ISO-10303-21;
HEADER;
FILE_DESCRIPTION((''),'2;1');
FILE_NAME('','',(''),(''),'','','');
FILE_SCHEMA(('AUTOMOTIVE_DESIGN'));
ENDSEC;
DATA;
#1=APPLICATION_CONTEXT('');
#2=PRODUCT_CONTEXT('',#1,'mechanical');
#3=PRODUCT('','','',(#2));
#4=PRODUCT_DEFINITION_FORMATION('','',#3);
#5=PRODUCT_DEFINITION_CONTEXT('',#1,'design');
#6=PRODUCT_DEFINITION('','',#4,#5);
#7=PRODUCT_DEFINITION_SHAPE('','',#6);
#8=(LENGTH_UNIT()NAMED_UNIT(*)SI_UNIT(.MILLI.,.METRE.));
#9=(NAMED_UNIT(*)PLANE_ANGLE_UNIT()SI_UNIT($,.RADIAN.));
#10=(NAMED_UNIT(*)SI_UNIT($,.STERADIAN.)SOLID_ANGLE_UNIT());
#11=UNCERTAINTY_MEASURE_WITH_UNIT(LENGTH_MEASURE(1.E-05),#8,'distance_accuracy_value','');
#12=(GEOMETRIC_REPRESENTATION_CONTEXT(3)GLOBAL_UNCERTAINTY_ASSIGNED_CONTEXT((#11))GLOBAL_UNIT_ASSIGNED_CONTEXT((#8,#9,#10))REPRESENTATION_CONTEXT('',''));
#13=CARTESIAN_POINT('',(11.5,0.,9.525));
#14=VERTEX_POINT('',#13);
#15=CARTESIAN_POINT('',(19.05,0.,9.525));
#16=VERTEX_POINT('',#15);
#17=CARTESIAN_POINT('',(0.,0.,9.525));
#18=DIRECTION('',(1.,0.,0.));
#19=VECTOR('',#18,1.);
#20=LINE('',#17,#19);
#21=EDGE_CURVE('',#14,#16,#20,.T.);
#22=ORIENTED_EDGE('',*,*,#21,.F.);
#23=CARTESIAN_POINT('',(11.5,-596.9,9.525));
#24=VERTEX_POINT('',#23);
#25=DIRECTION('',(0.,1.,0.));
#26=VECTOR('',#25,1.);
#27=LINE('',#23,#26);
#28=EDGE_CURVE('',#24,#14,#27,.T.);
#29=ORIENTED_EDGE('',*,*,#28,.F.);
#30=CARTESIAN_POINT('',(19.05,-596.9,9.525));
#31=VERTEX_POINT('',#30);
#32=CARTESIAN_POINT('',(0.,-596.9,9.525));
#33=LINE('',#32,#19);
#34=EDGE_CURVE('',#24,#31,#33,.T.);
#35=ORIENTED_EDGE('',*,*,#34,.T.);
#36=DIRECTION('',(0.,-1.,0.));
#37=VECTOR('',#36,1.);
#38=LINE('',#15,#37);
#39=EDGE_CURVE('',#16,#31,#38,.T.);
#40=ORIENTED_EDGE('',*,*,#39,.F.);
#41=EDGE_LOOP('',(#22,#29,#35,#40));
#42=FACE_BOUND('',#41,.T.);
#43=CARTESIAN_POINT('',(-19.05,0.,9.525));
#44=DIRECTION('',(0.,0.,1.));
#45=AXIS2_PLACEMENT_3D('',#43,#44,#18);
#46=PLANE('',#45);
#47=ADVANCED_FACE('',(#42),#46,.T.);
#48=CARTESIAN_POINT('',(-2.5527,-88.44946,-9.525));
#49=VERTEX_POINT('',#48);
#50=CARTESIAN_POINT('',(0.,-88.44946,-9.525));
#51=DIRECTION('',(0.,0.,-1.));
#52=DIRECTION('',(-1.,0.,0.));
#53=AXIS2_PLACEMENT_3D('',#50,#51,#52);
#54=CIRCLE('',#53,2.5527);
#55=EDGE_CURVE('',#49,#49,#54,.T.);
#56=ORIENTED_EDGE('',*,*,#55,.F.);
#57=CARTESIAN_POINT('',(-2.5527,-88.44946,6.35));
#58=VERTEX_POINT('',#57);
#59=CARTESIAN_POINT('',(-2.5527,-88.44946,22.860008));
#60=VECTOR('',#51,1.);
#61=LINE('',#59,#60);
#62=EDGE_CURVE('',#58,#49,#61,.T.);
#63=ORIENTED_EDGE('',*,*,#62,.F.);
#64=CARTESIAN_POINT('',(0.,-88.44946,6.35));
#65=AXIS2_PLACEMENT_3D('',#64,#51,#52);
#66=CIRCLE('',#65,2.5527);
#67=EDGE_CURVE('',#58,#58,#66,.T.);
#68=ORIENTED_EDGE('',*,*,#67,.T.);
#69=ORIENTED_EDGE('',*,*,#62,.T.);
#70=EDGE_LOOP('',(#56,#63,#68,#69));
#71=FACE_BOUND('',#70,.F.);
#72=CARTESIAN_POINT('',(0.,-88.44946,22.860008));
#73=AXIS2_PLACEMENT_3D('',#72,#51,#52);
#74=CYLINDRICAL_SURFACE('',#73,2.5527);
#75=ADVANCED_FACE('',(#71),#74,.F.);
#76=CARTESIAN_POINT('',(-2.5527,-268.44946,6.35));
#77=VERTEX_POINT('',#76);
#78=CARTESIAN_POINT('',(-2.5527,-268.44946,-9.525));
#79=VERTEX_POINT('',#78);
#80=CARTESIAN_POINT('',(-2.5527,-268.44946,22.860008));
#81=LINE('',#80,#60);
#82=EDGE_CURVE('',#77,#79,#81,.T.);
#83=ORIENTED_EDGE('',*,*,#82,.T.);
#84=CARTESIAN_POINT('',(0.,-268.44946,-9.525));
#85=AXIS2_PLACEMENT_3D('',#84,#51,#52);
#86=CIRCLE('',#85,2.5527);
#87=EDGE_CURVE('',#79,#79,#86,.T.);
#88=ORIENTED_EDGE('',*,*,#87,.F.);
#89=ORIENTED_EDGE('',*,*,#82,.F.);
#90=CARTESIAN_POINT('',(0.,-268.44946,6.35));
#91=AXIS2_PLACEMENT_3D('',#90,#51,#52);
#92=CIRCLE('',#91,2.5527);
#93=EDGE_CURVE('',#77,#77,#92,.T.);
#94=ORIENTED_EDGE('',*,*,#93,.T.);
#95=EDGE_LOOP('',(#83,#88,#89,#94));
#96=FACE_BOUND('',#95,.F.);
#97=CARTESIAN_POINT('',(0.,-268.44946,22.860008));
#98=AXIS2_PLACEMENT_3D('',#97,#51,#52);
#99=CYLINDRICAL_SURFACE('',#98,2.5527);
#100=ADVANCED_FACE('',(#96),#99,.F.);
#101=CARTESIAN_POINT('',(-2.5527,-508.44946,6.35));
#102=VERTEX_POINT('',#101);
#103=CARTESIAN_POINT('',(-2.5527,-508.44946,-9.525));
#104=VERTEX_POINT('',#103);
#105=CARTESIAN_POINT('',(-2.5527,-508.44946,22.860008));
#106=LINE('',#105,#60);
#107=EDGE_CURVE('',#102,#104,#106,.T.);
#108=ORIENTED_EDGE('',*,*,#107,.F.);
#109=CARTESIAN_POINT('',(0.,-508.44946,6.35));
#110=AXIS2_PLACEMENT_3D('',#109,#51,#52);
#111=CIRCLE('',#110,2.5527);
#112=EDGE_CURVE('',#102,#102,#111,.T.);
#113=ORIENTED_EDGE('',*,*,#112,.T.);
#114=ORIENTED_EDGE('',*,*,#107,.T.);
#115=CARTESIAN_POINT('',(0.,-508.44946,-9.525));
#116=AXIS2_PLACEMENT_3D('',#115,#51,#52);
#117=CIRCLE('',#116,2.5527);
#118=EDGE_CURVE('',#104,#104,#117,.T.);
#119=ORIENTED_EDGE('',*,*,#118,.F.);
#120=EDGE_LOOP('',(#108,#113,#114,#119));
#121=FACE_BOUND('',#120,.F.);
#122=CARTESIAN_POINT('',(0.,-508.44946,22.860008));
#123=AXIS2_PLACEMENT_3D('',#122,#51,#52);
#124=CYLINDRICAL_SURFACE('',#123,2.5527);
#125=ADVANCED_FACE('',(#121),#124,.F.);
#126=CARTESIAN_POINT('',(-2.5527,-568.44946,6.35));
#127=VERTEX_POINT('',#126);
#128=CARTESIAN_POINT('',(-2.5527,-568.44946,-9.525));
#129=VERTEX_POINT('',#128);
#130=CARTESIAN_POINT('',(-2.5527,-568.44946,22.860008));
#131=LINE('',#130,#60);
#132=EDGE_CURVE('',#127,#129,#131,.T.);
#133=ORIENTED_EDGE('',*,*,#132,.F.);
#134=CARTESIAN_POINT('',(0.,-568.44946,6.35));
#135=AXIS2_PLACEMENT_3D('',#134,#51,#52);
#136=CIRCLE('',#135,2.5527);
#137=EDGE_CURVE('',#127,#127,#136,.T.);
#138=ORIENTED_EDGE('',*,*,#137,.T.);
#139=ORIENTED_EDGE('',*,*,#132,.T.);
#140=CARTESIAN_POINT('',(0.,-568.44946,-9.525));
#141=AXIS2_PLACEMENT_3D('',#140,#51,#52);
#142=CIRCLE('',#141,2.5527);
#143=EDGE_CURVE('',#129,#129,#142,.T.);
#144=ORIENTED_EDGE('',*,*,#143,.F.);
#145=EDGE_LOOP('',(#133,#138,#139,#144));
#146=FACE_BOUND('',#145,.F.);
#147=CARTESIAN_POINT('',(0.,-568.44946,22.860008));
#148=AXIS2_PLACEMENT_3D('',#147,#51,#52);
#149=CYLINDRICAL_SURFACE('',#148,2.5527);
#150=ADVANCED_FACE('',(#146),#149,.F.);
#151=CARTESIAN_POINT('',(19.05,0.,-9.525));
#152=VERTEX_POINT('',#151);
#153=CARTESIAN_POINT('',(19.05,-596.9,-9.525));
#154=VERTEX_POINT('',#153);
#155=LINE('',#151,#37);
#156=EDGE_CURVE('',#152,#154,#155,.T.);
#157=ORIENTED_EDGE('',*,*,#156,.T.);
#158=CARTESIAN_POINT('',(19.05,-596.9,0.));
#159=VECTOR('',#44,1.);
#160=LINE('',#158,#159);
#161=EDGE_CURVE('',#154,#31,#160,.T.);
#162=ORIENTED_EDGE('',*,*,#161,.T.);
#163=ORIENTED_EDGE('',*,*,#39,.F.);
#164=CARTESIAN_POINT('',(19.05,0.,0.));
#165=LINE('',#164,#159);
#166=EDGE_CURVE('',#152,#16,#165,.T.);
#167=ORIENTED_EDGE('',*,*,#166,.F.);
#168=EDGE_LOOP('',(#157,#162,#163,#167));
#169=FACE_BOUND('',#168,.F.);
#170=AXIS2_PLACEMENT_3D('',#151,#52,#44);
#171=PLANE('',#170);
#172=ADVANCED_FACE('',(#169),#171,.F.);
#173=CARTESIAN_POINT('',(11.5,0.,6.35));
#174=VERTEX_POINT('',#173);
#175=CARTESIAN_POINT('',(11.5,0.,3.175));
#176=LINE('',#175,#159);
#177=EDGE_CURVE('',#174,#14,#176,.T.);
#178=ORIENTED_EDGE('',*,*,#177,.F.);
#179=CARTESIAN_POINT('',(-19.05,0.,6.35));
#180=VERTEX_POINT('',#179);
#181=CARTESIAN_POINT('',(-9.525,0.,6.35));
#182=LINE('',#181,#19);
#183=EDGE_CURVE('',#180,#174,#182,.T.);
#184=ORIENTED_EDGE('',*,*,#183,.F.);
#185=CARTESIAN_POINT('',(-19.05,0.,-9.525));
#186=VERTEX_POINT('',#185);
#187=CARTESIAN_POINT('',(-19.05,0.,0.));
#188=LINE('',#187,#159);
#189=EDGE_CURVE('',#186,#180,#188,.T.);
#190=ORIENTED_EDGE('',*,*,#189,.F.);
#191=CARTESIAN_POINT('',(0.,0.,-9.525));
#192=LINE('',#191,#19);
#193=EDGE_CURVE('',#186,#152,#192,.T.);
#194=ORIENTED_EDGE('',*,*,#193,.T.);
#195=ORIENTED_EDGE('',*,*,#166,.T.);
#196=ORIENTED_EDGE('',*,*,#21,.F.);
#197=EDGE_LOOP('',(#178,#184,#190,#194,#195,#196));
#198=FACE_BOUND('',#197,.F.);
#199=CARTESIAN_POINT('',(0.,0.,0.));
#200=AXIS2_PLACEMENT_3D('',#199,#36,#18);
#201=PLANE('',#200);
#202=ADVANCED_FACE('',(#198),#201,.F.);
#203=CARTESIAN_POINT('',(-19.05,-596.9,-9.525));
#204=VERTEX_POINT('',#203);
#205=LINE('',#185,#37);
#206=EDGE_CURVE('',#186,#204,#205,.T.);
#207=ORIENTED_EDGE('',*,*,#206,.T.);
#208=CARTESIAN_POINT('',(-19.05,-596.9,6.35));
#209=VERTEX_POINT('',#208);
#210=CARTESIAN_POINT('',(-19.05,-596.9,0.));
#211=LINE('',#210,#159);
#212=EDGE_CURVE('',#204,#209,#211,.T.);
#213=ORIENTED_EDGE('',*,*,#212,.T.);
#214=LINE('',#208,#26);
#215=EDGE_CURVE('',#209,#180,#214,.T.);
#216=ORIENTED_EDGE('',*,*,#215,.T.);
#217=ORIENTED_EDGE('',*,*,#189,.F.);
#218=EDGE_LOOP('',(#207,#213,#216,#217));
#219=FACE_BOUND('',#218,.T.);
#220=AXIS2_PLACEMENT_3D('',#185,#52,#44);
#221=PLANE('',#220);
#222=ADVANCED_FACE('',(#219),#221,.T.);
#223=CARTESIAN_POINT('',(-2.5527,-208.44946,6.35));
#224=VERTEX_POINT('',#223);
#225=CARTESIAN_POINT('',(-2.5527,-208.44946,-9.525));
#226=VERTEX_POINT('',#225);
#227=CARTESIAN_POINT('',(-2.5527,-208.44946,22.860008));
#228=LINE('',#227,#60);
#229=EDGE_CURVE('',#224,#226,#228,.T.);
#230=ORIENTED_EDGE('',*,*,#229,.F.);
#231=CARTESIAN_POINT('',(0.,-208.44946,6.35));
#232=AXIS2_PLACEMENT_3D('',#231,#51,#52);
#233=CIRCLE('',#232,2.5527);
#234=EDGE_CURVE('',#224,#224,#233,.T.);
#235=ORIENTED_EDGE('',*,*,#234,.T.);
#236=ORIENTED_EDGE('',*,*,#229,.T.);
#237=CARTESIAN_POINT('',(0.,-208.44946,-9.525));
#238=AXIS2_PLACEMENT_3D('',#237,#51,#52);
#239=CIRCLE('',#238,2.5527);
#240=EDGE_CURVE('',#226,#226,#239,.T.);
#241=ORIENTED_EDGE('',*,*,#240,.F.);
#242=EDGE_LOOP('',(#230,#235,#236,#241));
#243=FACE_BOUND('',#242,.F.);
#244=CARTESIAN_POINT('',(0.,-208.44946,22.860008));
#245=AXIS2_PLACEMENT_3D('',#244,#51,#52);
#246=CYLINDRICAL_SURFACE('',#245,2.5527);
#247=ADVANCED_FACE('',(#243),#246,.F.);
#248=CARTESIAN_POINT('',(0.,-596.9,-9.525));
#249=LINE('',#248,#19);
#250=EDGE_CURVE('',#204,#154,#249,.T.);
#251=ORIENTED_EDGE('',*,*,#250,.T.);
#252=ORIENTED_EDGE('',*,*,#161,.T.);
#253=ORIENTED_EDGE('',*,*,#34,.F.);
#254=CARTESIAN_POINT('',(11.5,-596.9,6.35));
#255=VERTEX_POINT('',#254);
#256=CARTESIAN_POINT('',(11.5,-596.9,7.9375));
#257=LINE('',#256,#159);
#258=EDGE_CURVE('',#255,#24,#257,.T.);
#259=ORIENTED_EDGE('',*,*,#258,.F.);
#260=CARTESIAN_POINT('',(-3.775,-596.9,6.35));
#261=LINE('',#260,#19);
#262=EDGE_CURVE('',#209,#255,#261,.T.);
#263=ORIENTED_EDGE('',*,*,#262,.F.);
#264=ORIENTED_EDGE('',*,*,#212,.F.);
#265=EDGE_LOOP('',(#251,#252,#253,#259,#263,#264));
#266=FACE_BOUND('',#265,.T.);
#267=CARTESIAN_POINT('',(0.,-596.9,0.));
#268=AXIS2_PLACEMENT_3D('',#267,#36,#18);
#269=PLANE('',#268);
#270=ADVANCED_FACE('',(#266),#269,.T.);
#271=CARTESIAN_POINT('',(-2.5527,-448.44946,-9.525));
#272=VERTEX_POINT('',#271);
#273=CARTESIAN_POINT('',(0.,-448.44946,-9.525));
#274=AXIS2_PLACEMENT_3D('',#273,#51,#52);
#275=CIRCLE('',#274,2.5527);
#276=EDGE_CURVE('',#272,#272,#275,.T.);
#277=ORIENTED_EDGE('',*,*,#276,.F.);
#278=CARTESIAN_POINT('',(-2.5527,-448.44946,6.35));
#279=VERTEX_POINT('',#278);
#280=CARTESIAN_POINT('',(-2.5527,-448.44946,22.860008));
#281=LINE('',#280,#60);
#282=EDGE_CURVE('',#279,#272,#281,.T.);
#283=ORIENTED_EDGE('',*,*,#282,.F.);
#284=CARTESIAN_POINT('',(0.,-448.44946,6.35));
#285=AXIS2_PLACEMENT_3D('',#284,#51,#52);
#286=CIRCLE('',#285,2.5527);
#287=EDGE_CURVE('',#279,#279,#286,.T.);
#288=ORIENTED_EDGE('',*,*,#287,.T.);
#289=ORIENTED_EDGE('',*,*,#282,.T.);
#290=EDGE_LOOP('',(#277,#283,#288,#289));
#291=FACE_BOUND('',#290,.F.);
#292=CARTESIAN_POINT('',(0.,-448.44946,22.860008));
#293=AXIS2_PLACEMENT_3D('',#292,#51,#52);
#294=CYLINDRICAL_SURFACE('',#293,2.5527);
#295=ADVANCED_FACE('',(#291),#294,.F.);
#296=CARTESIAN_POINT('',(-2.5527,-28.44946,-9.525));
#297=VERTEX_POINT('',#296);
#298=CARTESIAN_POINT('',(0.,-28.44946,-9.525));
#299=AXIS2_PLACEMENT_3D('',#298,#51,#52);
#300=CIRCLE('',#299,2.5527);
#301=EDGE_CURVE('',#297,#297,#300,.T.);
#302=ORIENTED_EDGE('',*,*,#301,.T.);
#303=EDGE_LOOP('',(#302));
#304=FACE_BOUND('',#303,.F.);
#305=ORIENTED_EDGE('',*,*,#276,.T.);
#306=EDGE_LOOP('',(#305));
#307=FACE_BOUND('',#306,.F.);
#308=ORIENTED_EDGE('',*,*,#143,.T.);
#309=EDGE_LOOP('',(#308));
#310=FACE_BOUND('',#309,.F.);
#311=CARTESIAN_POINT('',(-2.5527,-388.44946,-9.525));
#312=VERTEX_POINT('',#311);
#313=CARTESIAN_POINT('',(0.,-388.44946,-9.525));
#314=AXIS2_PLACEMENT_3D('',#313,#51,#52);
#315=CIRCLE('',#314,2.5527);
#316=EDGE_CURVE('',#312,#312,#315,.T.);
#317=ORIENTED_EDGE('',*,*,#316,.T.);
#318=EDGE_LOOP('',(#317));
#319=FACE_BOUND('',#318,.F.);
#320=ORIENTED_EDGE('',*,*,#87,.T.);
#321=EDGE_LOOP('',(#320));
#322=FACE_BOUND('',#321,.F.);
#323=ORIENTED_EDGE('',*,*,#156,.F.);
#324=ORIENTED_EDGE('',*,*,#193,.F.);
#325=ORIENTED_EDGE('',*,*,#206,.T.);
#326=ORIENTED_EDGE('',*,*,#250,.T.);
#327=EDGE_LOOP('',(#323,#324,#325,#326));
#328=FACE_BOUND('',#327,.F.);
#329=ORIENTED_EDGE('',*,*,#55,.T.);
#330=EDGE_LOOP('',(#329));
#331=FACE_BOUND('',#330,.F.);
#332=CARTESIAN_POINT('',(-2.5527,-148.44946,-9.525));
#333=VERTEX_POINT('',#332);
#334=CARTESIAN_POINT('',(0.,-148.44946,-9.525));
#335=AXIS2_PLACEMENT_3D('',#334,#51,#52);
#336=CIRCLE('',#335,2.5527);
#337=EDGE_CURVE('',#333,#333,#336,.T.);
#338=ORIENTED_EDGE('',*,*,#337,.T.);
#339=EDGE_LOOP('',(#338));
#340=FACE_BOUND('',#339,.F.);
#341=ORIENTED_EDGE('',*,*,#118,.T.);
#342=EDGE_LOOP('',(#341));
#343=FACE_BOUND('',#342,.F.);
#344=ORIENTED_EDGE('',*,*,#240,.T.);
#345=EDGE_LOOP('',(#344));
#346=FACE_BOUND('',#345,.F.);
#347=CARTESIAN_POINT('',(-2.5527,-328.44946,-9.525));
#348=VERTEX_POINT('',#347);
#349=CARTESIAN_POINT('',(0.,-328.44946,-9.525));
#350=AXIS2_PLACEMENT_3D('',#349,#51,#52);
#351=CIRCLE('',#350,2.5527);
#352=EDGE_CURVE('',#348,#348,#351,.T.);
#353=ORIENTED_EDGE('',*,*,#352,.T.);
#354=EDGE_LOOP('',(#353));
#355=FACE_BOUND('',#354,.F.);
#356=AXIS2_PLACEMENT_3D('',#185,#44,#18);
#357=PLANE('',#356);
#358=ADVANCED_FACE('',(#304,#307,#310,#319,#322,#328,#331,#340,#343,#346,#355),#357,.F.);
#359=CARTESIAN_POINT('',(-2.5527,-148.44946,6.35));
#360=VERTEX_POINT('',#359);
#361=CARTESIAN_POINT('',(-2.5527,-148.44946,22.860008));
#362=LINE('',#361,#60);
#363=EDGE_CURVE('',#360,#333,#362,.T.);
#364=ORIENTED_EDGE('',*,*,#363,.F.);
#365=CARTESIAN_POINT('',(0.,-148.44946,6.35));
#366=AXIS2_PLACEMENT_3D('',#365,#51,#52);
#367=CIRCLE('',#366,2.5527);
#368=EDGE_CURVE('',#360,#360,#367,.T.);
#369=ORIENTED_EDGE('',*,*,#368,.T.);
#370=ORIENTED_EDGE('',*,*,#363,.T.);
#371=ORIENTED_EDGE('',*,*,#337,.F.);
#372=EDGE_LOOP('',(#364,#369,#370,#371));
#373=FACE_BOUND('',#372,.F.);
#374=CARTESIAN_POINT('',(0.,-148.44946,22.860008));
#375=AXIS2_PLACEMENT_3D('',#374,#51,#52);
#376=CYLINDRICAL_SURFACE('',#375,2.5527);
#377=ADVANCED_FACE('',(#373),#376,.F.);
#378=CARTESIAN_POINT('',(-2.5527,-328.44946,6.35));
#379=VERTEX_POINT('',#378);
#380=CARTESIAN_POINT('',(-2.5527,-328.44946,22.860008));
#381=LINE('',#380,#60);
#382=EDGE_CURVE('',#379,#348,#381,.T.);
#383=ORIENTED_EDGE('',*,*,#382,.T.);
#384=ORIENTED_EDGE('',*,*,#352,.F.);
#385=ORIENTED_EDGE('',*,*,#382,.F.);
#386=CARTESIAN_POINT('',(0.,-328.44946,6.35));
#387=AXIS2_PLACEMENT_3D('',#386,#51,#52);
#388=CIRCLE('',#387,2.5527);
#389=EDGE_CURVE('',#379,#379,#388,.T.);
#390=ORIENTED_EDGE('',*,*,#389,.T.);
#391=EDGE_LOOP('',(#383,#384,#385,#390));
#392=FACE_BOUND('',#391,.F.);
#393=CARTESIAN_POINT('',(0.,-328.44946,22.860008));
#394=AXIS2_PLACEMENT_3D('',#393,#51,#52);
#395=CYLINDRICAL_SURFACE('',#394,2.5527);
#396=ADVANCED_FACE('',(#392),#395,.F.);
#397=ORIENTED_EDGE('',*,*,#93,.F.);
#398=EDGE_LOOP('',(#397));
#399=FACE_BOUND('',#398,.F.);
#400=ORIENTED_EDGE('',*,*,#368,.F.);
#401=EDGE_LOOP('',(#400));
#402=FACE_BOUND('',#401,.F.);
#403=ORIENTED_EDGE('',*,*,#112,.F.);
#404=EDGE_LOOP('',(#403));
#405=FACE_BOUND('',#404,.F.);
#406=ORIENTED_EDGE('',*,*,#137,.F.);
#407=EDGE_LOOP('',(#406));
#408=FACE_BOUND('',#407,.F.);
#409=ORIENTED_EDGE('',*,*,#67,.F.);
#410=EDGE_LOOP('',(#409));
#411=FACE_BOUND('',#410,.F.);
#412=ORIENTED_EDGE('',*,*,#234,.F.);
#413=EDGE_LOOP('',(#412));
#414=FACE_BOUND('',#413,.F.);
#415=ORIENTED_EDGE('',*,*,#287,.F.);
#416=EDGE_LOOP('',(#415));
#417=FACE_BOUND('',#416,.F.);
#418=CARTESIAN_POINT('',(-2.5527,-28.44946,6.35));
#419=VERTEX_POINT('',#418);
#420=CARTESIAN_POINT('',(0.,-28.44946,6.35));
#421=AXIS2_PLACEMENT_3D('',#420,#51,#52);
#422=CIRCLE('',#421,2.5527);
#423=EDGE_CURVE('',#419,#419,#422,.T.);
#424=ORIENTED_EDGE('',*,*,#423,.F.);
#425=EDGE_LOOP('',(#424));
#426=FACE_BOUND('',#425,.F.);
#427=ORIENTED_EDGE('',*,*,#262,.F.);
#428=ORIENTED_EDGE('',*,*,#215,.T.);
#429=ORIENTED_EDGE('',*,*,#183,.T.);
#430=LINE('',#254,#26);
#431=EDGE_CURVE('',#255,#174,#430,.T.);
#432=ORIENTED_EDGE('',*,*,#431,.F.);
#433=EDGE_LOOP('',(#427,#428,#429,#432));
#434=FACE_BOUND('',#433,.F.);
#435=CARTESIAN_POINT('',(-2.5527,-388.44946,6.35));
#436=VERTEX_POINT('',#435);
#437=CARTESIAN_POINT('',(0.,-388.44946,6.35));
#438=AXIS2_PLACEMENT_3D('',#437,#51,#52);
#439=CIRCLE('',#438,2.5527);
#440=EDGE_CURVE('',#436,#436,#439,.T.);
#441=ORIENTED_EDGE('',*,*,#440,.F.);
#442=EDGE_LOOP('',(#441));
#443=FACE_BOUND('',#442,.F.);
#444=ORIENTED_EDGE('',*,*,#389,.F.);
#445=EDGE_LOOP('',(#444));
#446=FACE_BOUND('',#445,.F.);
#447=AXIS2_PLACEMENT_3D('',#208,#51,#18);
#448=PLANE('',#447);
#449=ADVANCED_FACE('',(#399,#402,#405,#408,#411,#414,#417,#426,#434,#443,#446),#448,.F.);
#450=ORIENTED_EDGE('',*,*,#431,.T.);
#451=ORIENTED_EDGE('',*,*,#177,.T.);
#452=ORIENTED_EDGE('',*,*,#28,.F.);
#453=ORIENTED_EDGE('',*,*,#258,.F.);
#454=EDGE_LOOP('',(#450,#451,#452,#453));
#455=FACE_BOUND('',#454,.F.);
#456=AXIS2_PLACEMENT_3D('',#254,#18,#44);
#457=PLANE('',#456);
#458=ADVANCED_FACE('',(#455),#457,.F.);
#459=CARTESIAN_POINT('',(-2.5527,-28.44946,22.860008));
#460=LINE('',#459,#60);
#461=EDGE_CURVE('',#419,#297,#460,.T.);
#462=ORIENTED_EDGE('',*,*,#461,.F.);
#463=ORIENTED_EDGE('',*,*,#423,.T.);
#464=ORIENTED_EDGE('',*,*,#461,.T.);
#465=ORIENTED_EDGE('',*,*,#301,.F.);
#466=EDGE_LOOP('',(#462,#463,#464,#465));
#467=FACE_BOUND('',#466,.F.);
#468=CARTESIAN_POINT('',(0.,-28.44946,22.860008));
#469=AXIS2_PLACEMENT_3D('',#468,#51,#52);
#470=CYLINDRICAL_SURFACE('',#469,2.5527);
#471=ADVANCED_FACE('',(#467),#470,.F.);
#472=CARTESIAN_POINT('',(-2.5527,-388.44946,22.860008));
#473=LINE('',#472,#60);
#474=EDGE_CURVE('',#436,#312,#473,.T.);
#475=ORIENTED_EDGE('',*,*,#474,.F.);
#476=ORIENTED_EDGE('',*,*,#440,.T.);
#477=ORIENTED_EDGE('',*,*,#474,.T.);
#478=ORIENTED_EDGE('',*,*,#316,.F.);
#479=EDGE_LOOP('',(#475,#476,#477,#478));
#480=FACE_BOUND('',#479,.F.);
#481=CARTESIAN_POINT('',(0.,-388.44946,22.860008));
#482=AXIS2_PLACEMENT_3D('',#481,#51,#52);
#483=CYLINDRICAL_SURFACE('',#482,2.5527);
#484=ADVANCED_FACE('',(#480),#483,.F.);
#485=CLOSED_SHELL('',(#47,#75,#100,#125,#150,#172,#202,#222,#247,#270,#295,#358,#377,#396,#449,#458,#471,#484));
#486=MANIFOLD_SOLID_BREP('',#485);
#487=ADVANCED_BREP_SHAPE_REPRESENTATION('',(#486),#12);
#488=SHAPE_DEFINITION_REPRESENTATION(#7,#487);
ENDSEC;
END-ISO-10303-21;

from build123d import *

# Parameters (mm, degrees)
F0_W     = 38.1
F0_H     = 19.05
F1_DEPTH = 596.9
F2_W     = 30.55
F2_H     = 3.175
F3_DEPTH = 596.901
F5_D     = 5.1054
F5_DEPTH = 16.5100084667
F5_TIP   = 1.5338169022


with BuildPart() as f1:
    # F0 (on Front) → F1 (new body)
    with BuildSketch(Plane.XZ):
        Rectangle(F0_W, F0_H)
    extrude(amount=F1_DEPTH)

    # F2 (on face) → F3 (cut, through all)
    with BuildSketch(Plane.XZ.offset(596.9)):
        with Locations((-3.775, 7.9375)):
            Rectangle(F2_W, F2_H)
    extrude(amount=-F3_DEPTH, mode=Mode.SUBTRACT)

    # F5
    with Locations(Plane.XY.offset(6.35)):
        with Locations((0, -568.44946), (0, -508.44946), (0, -448.44946), (0, -388.44946), (0, -328.44946), (0, -268.44946), (0, -208.44946), (0, -148.44946), (0, -88.44946), (0, -28.44946)):
            Hole(F5_D / 2, depth=F5_DEPTH)
            with Locations((0, 0, -(F5_DEPTH + F5_TIP / 2))):  # 118° drill point
                Cone(0, F5_D / 2, F5_TIP, mode=Mode.SUBTRACT)


solid = f1.part
